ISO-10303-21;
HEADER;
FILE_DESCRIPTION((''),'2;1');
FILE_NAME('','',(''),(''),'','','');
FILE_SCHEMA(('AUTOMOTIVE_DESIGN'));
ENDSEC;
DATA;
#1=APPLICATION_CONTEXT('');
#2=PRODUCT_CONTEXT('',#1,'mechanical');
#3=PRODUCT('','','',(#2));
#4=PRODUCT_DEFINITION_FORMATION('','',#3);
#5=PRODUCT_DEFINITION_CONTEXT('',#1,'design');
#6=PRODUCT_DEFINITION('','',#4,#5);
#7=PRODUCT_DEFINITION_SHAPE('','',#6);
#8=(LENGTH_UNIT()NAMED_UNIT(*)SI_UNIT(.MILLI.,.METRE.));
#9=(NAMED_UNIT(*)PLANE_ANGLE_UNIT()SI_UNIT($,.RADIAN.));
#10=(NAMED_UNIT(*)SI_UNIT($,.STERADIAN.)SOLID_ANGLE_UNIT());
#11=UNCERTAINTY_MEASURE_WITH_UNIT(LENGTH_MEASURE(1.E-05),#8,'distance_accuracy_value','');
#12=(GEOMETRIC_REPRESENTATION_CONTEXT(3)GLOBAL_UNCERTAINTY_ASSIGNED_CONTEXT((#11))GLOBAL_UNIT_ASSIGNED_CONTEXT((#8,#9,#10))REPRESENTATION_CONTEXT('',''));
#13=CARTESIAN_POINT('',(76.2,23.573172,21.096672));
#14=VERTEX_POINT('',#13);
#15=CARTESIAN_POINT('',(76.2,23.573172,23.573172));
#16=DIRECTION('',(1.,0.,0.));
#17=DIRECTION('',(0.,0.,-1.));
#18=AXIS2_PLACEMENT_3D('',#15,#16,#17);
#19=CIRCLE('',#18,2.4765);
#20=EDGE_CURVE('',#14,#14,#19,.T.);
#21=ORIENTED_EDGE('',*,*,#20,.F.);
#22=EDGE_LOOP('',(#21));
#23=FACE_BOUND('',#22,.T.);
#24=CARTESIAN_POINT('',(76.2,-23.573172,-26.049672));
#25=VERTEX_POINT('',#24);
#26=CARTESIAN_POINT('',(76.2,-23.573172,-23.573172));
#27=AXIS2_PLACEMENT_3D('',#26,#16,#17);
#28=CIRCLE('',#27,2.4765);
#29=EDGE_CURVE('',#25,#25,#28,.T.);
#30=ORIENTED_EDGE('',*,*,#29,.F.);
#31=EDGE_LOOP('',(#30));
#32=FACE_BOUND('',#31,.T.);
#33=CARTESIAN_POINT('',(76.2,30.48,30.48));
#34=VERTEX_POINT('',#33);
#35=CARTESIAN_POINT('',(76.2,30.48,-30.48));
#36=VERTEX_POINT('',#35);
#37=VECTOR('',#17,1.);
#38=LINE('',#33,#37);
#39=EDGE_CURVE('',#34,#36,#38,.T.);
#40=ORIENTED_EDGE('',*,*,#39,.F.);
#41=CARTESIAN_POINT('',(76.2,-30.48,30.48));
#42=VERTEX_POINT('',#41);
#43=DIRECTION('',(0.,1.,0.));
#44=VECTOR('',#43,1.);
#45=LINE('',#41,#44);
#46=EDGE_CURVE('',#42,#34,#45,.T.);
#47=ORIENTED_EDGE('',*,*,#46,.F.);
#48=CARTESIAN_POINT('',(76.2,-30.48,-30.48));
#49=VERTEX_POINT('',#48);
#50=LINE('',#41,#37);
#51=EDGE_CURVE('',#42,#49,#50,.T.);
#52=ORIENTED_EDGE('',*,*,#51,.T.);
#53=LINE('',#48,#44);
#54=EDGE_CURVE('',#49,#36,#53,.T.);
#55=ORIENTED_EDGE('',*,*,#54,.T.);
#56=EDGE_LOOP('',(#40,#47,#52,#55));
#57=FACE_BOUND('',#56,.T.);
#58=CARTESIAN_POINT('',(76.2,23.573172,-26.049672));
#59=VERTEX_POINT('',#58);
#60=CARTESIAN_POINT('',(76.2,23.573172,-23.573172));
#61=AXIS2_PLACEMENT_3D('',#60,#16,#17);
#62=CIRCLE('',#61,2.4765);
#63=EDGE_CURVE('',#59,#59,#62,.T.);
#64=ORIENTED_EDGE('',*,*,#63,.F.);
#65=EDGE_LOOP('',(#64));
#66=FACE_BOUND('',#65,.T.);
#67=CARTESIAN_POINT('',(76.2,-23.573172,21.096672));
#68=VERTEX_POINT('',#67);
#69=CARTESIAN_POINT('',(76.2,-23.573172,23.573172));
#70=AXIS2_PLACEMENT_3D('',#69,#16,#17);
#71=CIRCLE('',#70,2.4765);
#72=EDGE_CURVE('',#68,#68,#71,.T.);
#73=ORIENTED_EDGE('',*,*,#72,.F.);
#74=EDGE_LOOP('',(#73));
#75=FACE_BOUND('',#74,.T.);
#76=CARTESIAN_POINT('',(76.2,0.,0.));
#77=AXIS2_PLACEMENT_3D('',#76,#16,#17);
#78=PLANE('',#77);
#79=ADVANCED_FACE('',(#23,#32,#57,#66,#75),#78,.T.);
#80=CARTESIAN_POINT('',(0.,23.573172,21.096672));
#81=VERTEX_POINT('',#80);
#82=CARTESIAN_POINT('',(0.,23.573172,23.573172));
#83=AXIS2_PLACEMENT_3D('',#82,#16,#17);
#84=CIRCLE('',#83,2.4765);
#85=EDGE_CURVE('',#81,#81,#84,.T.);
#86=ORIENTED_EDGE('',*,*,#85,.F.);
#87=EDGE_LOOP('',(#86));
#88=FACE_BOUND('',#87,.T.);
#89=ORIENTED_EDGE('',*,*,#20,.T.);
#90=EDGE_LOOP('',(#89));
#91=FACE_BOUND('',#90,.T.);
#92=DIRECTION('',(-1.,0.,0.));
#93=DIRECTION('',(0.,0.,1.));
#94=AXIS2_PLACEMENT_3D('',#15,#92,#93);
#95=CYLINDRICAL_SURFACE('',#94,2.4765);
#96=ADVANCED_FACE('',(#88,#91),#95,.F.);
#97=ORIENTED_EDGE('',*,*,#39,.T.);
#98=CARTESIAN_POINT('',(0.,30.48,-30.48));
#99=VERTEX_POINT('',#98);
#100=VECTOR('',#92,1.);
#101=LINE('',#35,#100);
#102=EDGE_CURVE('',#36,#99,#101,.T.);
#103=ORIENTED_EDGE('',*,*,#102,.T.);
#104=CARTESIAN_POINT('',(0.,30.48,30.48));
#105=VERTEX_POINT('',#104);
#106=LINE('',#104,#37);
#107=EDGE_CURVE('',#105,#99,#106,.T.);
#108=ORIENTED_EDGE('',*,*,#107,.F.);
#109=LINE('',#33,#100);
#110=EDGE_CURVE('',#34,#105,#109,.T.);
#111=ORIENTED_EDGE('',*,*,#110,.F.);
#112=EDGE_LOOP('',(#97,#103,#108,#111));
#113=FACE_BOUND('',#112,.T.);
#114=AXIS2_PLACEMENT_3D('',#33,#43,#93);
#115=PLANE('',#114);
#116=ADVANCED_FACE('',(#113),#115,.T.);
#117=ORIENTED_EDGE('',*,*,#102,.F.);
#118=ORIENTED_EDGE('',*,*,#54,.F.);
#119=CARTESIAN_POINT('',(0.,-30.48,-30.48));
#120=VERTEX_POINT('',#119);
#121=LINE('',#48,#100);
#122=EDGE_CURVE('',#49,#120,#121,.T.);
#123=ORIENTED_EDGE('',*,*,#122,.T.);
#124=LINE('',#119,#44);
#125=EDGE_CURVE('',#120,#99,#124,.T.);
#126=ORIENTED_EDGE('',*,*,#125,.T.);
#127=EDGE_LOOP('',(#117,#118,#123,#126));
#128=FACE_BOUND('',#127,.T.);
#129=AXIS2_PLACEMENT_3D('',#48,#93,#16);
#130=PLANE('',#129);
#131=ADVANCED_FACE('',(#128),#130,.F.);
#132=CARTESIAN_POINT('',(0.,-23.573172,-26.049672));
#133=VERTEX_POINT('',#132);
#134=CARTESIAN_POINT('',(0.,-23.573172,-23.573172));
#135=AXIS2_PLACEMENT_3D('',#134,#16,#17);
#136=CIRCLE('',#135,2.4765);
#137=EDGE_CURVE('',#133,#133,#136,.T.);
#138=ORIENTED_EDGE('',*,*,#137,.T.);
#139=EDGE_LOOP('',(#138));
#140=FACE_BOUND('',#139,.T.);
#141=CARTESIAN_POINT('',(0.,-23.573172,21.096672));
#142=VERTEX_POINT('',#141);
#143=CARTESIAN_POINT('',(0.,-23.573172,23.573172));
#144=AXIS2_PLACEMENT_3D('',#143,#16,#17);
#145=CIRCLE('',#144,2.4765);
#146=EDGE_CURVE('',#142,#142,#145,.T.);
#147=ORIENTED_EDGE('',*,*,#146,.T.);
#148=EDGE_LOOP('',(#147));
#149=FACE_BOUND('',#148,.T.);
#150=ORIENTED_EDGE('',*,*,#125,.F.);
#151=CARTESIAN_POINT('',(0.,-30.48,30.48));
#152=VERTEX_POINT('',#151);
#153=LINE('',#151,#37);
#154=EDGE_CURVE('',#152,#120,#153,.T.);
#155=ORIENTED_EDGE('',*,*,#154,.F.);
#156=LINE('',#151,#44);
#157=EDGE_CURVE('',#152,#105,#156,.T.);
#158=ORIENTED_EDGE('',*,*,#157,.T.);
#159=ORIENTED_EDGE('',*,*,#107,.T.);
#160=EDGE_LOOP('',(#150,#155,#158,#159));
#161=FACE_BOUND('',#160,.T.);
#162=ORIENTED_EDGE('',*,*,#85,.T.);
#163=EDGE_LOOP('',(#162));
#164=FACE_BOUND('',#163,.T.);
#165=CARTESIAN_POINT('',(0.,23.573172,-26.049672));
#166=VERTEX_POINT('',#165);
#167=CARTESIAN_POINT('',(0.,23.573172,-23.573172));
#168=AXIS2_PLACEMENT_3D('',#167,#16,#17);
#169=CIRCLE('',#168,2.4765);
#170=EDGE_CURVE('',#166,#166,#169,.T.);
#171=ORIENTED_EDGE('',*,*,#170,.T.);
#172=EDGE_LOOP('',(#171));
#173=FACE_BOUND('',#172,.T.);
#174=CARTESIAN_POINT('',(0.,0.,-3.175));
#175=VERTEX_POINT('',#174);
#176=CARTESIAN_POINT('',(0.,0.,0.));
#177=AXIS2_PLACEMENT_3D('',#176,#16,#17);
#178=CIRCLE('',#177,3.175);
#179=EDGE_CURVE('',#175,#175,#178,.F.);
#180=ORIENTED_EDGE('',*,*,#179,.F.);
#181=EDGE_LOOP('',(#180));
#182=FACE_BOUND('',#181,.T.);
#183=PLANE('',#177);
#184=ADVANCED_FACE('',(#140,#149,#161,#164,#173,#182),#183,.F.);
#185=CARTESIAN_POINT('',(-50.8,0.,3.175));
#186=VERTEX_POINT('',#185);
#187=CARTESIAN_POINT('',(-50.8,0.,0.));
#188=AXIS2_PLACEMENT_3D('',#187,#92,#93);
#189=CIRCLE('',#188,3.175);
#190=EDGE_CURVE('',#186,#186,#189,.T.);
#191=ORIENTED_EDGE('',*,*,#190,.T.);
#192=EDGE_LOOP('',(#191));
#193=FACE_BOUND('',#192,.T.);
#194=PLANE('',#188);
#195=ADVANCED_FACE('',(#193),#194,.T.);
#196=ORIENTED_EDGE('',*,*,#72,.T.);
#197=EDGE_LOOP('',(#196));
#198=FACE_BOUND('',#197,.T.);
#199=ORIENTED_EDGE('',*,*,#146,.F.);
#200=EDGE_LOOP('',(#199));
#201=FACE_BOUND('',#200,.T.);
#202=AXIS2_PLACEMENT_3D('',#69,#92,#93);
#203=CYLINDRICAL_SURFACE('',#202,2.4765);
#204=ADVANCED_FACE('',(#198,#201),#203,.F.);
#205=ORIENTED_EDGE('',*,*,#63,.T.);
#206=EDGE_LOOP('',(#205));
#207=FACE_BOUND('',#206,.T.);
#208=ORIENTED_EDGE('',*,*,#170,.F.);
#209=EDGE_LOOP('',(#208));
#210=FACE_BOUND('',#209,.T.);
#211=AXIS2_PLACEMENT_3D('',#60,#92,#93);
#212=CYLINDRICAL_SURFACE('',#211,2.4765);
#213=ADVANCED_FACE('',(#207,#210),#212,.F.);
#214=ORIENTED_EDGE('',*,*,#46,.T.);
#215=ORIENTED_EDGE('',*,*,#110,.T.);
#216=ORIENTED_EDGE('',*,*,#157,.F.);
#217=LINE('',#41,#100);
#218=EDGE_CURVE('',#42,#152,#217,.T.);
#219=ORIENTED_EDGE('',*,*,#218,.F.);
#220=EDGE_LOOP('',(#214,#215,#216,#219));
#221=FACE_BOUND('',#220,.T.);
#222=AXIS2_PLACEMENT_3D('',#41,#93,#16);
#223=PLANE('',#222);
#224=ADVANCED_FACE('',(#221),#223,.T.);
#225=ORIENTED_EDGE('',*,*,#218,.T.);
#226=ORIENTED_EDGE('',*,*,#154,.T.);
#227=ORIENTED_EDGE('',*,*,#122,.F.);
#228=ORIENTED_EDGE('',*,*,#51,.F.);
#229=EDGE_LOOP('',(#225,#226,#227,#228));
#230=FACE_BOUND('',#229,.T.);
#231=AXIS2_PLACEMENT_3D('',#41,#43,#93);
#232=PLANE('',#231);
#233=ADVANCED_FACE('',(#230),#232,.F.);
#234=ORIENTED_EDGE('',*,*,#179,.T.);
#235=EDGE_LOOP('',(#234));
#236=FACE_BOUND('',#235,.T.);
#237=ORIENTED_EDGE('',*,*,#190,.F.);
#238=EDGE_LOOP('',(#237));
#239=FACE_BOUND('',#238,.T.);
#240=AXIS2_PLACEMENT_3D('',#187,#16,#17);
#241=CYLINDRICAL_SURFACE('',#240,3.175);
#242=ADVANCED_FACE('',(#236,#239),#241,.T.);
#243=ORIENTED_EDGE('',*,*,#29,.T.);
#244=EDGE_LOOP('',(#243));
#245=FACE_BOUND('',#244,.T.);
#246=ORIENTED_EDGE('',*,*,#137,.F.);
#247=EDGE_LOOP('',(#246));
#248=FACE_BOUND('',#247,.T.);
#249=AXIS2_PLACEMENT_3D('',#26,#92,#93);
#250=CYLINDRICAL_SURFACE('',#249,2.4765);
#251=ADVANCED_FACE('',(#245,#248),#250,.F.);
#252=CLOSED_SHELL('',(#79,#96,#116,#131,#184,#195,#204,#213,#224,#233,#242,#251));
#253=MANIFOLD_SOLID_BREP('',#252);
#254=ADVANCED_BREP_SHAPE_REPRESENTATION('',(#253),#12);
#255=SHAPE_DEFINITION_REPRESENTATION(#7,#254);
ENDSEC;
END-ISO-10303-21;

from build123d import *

# Parameters (mm, degrees)
SKETCH1_W           = 60.96
SKETCH1_H           = 60.96
SKETCH1_R           = 2.4765
BOSS_EXTRUDE3_DEPTH = 76.2
SKETCH3_R           = 3.175
BOSS_EXTRUDE4_DEPTH = 50.8


with BuildPart() as part:
    # Sketch1 → Boss-Extrude3 (new body)
    with BuildSketch(Plane(origin=(0, 0, 0), x_dir=(0, 0, -1), z_dir=(1, 0, 0))):
        Rectangle(SKETCH1_W, SKETCH1_H)
        with Locations((-23.573172318, 23.573172318)):
            Circle(SKETCH1_R, mode=Mode.SUBTRACT)
        with Locations((23.573172318, 23.573172318)):
            Circle(SKETCH1_R, mode=Mode.SUBTRACT)
        with Locations((23.573172318, -23.573172318)):
            Circle(SKETCH1_R, mode=Mode.SUBTRACT)
        with Locations((-23.573172318, -23.573172318)):
            Circle(SKETCH1_R, mode=Mode.SUBTRACT)
    extrude(amount=BOSS_EXTRUDE3_DEPTH)

    # Sketch3 → Boss-Extrude4 (add)
    with BuildSketch(Plane.ZY):
        Circle(SKETCH3_R)
    extrude(amount=BOSS_EXTRUDE4_DEPTH)


solid = part.part
